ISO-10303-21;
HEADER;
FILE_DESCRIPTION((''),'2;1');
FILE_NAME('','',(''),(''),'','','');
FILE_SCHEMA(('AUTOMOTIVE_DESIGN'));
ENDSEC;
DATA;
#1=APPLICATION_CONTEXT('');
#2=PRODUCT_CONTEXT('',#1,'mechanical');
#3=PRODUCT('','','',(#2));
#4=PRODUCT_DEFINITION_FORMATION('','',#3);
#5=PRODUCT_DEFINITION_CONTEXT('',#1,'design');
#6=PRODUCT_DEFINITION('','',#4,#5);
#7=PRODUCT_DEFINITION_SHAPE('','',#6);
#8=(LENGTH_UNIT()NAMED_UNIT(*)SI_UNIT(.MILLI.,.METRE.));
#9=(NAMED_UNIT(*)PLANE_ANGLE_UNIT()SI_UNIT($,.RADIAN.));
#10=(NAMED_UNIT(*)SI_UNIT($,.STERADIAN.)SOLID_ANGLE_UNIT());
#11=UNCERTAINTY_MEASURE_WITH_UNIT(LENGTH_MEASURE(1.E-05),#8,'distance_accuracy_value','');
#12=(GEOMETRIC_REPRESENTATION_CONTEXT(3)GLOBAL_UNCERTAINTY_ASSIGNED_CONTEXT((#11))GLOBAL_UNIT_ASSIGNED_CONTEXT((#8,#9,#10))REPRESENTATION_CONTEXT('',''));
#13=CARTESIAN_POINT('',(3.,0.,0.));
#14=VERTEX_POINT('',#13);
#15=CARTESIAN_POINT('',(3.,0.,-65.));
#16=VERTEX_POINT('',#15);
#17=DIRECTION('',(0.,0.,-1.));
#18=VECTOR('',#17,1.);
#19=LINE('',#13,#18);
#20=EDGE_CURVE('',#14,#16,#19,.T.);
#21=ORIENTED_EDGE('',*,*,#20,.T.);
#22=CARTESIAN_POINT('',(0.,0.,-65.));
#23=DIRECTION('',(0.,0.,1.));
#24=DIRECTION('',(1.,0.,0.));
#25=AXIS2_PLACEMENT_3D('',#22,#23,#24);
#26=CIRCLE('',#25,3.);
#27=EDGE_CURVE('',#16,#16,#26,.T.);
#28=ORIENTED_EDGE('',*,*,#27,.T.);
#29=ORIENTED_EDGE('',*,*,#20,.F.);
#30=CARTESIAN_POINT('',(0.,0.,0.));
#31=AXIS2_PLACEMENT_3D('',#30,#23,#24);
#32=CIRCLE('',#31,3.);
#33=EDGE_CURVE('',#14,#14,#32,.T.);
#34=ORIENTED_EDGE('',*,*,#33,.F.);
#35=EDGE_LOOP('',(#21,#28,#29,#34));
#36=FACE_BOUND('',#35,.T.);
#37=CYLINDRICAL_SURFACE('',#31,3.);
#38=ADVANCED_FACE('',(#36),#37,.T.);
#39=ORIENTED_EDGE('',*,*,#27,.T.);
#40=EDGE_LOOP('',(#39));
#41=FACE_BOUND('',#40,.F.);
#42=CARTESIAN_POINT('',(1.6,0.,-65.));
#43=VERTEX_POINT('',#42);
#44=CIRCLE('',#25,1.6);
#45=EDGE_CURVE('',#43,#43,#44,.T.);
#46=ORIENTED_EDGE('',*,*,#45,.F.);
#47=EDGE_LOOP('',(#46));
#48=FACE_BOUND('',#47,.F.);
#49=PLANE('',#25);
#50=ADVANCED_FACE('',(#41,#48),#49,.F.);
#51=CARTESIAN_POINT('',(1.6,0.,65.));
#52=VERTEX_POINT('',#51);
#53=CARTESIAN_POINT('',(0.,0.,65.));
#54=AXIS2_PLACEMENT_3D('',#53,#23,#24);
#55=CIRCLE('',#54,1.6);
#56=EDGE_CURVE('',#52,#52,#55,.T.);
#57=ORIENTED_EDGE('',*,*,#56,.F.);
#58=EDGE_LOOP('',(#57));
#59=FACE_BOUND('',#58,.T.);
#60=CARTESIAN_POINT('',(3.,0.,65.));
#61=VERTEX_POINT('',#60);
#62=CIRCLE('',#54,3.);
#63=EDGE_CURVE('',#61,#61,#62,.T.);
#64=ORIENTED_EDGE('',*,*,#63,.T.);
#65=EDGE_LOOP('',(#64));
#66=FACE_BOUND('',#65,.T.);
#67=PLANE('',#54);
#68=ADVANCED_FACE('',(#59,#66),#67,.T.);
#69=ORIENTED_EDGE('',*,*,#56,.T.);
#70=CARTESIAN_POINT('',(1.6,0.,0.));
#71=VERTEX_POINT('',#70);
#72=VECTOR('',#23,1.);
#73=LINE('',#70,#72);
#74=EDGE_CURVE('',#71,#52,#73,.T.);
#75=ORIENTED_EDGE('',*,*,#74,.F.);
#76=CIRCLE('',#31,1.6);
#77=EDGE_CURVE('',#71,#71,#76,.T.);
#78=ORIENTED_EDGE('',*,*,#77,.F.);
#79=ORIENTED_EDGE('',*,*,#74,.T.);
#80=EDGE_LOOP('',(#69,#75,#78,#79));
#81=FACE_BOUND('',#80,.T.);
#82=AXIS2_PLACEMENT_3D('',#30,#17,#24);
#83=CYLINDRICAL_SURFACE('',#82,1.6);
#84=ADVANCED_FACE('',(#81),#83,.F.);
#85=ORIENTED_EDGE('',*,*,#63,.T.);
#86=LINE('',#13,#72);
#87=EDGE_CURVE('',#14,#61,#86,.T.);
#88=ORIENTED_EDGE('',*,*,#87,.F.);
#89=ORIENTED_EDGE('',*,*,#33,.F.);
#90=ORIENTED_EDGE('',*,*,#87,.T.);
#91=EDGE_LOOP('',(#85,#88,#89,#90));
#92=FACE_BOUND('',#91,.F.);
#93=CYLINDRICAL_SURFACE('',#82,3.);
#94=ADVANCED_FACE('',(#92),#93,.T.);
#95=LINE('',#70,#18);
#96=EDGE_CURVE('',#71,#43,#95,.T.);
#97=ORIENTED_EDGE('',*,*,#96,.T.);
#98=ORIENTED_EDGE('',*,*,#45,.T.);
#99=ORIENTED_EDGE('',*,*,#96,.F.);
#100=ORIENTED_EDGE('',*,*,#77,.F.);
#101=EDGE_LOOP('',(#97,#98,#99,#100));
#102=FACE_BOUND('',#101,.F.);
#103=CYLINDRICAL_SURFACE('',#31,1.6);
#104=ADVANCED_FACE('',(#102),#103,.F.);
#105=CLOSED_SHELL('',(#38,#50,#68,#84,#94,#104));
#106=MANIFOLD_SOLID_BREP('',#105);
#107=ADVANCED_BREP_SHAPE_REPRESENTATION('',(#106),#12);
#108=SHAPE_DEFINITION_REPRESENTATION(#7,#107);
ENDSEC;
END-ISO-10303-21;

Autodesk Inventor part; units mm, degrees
ref_plane "YZ Plane" through (0, 0, 0) normal (1, 0, 0) x (0, 1, 0)
ref_plane "XZ Plane" through (0, 0, 0) normal (0, 1, 0) x (-1, 0, 0)
sketch "スケッチ1" plane through (0, 0, 0) normal (0, 0, 1) x (1, 0, 0)
  circle A0 centre (0, 0) radius 1.6
  circle A1 centre (0, 0) radius 3
  dimension "d0" = 3.2
  dimension "d1" = 6
extrude "押し出し1" add sketch "スケッチ1" along normal mid plane 130
properties part number "SSFHRW6-130-MD4-ND4"
